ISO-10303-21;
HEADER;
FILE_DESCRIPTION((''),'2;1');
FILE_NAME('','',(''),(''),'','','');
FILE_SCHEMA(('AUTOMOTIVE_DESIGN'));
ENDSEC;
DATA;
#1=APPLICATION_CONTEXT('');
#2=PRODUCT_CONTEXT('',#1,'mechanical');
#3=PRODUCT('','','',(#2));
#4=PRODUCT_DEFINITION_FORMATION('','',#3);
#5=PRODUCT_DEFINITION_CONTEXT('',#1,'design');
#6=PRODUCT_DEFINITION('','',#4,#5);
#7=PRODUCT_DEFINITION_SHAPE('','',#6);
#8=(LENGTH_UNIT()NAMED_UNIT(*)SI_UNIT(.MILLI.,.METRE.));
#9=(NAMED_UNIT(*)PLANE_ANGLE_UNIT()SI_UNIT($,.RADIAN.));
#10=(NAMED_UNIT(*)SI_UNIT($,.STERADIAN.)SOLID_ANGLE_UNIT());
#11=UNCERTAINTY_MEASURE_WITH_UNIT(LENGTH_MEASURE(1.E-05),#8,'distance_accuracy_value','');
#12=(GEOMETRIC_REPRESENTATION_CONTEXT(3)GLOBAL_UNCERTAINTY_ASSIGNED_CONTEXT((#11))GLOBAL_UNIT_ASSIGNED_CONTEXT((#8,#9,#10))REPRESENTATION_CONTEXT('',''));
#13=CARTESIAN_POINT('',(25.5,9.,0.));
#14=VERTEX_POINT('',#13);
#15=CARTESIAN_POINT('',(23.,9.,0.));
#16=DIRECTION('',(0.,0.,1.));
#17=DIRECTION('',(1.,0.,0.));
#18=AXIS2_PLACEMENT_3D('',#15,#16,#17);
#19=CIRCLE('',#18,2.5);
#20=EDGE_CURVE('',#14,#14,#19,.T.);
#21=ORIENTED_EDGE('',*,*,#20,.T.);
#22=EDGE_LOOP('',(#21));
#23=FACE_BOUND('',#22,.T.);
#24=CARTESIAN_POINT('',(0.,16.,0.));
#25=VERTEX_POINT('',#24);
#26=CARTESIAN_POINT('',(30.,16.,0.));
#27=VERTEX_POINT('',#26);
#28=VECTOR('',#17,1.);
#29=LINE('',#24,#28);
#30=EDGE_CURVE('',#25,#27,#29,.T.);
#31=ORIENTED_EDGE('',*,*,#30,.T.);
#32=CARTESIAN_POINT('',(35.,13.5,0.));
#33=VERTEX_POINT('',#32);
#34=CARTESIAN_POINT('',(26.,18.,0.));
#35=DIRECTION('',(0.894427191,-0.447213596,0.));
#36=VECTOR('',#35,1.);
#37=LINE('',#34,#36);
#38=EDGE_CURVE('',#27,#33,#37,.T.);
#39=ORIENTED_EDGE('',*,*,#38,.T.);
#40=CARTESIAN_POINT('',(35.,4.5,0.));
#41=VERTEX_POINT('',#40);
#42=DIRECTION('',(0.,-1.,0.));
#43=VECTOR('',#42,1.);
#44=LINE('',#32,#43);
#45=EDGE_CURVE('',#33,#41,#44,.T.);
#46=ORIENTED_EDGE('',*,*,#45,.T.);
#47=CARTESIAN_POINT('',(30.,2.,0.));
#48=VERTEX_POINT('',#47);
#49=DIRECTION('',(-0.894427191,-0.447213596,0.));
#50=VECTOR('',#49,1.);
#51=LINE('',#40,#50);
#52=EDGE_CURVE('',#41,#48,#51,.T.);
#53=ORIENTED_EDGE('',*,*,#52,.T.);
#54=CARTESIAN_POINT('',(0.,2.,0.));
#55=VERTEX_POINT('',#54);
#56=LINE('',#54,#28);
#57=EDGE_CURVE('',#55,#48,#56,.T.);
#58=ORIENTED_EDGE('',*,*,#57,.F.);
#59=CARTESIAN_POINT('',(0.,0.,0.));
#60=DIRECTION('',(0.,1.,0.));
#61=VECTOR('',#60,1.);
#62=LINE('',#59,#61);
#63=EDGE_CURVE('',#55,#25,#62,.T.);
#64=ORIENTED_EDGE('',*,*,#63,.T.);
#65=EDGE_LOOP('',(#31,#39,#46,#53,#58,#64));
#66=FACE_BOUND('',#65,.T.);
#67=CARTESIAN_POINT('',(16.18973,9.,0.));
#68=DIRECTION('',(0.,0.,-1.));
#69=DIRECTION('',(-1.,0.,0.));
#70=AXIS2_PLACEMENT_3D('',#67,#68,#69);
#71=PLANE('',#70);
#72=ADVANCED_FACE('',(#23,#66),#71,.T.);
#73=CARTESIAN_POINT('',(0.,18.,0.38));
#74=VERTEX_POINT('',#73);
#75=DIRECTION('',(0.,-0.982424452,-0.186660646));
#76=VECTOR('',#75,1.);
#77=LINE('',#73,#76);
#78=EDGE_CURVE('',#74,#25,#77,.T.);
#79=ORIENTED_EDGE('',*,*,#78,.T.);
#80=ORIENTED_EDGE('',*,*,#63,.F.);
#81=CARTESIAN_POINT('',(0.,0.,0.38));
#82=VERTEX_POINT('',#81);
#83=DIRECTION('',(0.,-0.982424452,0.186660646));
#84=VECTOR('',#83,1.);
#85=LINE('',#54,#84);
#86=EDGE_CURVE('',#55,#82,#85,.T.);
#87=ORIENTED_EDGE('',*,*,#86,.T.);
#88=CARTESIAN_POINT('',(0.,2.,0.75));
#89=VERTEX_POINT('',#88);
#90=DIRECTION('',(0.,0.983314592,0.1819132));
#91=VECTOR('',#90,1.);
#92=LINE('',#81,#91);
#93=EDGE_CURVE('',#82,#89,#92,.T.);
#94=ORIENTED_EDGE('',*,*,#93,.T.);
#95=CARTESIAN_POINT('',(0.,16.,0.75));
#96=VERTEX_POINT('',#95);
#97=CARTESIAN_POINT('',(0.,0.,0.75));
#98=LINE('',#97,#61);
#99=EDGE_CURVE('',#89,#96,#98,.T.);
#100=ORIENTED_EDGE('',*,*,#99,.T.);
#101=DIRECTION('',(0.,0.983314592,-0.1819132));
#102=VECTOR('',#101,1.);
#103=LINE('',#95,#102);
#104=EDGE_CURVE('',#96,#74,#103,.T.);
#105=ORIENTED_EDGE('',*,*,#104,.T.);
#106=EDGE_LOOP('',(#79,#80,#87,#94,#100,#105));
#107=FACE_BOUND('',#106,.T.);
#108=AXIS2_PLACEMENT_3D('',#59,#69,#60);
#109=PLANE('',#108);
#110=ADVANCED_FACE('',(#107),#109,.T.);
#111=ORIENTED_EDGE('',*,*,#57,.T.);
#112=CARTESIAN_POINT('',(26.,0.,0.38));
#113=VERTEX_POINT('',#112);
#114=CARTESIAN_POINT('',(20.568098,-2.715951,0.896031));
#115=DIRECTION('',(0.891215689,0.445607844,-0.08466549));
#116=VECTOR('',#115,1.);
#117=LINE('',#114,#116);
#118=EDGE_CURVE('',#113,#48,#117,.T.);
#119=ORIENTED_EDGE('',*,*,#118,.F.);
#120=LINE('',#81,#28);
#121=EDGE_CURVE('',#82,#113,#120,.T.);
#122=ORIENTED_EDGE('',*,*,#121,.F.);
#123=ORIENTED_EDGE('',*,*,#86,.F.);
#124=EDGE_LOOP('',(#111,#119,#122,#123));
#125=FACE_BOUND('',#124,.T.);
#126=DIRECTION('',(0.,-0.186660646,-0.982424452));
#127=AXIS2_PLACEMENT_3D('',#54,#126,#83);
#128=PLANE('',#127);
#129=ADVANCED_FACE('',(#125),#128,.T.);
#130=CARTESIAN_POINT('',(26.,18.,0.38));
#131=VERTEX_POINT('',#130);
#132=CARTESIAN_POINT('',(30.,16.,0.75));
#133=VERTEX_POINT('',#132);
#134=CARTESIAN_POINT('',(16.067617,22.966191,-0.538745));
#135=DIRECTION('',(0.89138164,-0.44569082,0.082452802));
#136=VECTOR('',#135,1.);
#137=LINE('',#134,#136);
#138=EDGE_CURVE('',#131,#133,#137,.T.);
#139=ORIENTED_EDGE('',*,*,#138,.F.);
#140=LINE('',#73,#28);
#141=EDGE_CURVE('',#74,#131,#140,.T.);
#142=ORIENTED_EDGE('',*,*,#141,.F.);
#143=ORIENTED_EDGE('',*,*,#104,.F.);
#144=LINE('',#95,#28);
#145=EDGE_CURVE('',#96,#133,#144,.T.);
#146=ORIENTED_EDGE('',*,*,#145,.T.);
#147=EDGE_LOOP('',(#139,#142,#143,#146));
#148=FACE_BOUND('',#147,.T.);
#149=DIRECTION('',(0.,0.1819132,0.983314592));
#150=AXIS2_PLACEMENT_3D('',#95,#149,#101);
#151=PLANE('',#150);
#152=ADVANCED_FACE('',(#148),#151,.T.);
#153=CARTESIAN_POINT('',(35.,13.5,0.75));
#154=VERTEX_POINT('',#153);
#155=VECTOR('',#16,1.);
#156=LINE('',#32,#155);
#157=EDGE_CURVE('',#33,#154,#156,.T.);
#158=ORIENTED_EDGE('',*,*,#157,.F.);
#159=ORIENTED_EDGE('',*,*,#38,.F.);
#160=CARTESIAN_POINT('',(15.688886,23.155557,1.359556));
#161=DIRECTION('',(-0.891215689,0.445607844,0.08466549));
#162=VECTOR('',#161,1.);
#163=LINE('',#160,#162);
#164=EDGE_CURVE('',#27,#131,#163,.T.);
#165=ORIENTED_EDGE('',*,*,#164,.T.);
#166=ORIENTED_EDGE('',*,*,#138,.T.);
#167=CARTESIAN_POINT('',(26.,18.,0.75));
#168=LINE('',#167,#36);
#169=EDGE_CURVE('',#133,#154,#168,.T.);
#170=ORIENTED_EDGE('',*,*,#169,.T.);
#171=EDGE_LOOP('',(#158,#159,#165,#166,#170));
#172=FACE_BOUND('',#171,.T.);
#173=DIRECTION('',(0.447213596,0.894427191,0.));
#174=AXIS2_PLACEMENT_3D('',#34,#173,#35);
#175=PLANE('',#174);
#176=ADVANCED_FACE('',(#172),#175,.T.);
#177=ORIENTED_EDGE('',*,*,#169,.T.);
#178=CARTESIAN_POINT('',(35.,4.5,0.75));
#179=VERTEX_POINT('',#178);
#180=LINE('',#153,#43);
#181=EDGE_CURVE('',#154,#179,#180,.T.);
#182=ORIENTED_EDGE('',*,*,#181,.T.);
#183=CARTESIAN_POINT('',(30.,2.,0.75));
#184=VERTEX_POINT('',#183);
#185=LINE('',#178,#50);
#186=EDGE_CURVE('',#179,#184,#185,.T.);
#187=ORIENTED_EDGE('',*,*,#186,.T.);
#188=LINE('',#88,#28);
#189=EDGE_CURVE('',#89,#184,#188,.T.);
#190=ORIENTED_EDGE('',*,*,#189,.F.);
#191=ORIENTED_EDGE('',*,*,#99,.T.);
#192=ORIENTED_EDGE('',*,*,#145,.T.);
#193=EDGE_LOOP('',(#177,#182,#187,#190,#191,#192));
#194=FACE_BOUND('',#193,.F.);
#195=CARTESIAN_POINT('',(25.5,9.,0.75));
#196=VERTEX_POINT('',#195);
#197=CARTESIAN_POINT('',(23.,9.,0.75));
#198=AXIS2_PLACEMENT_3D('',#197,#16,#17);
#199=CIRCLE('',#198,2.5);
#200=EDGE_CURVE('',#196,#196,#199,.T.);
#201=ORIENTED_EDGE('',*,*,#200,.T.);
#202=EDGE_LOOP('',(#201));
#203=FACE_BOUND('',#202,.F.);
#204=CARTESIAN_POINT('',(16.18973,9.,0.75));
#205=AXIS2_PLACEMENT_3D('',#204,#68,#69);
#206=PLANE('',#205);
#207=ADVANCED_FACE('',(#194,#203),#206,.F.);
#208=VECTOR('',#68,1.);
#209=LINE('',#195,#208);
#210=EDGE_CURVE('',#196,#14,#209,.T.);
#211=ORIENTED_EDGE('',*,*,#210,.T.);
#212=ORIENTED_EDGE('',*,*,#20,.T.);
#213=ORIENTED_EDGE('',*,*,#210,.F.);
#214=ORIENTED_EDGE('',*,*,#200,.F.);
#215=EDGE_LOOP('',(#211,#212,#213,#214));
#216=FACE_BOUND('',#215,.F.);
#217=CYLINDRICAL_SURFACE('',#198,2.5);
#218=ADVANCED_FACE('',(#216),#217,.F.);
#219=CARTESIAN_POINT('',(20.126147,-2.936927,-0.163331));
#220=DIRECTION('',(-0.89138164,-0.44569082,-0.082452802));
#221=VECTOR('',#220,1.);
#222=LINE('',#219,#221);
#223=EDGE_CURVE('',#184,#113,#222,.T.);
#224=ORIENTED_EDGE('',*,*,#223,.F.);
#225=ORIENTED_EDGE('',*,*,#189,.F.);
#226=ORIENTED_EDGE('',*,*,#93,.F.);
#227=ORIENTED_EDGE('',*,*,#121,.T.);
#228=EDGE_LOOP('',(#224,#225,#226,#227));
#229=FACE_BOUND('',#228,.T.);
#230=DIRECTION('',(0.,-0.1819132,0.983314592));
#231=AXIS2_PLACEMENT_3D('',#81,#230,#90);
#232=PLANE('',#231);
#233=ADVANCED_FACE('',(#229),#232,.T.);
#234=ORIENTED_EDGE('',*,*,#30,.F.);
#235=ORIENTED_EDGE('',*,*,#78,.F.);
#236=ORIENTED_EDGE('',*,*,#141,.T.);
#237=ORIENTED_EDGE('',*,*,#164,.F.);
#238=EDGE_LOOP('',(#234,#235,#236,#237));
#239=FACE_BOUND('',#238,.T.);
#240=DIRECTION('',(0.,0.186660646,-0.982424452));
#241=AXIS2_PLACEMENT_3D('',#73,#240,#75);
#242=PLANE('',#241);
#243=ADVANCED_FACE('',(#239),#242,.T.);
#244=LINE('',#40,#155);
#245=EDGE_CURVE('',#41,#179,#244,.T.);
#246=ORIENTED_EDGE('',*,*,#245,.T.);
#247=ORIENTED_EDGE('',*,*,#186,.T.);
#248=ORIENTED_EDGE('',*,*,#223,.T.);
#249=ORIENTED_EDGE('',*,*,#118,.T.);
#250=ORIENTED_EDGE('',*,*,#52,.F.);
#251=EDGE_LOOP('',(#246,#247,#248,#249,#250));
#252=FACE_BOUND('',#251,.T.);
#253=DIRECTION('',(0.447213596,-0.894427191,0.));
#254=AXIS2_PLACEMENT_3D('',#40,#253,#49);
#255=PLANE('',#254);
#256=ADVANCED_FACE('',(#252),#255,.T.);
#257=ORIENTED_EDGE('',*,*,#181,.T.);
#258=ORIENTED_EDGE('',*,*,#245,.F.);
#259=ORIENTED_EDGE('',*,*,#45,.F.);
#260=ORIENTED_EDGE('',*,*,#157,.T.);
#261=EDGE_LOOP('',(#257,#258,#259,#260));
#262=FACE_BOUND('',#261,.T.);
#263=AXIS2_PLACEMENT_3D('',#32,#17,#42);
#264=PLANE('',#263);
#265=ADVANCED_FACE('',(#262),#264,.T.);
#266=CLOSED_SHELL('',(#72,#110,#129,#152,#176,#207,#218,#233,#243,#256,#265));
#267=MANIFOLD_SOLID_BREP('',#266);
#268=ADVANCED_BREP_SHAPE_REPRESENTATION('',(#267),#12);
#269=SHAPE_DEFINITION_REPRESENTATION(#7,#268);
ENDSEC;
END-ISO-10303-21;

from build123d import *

# Parameters (mm, degrees)
PAD_DEPTH       = 0.75
SKETCH001_R     = 2.5
POCKET_DEPTH    = 0.751
POCKET001_DEPTH = 35.001


with BuildPart() as part:
    # Sketch (on XY_Plane of Origin) → Pad (new body)
    with BuildSketch(Plane.XY):
        Polygon((0, 0), (0, 18), (26, 18), (35, 13.5), (35, 4.5), (26, 0), align=None)
    extrude(amount=PAD_DEPTH)

    # Sketch001 (on Face8 of Pad) → Pocket (cut, through all)
    with BuildSketch(Plane.XY.offset(0.75)):
        with Locations((23, 9)):
            Circle(SKETCH001_R)
    extrude(amount=-POCKET_DEPTH, mode=Mode.SUBTRACT)

    # Sketch002 (on Face1 of Pocket) → Pocket001 (cut, through all)
    with BuildSketch(Plane(origin=(0, 0, 0), x_dir=(0, -1, 0), z_dir=(-1, 0, 0))):
        Polygon((-2, 0), (0, 0.38), (-2, 0.75), (0, 0.75), (0, 0), align=None)
        Polygon((-16, 0.75), (-18, 0.38), (-16, 0), (-18, 0), (-18, 0.75), align=None)
    extrude(amount=-POCKET001_DEPTH, mode=Mode.SUBTRACT)


solid = part.part
